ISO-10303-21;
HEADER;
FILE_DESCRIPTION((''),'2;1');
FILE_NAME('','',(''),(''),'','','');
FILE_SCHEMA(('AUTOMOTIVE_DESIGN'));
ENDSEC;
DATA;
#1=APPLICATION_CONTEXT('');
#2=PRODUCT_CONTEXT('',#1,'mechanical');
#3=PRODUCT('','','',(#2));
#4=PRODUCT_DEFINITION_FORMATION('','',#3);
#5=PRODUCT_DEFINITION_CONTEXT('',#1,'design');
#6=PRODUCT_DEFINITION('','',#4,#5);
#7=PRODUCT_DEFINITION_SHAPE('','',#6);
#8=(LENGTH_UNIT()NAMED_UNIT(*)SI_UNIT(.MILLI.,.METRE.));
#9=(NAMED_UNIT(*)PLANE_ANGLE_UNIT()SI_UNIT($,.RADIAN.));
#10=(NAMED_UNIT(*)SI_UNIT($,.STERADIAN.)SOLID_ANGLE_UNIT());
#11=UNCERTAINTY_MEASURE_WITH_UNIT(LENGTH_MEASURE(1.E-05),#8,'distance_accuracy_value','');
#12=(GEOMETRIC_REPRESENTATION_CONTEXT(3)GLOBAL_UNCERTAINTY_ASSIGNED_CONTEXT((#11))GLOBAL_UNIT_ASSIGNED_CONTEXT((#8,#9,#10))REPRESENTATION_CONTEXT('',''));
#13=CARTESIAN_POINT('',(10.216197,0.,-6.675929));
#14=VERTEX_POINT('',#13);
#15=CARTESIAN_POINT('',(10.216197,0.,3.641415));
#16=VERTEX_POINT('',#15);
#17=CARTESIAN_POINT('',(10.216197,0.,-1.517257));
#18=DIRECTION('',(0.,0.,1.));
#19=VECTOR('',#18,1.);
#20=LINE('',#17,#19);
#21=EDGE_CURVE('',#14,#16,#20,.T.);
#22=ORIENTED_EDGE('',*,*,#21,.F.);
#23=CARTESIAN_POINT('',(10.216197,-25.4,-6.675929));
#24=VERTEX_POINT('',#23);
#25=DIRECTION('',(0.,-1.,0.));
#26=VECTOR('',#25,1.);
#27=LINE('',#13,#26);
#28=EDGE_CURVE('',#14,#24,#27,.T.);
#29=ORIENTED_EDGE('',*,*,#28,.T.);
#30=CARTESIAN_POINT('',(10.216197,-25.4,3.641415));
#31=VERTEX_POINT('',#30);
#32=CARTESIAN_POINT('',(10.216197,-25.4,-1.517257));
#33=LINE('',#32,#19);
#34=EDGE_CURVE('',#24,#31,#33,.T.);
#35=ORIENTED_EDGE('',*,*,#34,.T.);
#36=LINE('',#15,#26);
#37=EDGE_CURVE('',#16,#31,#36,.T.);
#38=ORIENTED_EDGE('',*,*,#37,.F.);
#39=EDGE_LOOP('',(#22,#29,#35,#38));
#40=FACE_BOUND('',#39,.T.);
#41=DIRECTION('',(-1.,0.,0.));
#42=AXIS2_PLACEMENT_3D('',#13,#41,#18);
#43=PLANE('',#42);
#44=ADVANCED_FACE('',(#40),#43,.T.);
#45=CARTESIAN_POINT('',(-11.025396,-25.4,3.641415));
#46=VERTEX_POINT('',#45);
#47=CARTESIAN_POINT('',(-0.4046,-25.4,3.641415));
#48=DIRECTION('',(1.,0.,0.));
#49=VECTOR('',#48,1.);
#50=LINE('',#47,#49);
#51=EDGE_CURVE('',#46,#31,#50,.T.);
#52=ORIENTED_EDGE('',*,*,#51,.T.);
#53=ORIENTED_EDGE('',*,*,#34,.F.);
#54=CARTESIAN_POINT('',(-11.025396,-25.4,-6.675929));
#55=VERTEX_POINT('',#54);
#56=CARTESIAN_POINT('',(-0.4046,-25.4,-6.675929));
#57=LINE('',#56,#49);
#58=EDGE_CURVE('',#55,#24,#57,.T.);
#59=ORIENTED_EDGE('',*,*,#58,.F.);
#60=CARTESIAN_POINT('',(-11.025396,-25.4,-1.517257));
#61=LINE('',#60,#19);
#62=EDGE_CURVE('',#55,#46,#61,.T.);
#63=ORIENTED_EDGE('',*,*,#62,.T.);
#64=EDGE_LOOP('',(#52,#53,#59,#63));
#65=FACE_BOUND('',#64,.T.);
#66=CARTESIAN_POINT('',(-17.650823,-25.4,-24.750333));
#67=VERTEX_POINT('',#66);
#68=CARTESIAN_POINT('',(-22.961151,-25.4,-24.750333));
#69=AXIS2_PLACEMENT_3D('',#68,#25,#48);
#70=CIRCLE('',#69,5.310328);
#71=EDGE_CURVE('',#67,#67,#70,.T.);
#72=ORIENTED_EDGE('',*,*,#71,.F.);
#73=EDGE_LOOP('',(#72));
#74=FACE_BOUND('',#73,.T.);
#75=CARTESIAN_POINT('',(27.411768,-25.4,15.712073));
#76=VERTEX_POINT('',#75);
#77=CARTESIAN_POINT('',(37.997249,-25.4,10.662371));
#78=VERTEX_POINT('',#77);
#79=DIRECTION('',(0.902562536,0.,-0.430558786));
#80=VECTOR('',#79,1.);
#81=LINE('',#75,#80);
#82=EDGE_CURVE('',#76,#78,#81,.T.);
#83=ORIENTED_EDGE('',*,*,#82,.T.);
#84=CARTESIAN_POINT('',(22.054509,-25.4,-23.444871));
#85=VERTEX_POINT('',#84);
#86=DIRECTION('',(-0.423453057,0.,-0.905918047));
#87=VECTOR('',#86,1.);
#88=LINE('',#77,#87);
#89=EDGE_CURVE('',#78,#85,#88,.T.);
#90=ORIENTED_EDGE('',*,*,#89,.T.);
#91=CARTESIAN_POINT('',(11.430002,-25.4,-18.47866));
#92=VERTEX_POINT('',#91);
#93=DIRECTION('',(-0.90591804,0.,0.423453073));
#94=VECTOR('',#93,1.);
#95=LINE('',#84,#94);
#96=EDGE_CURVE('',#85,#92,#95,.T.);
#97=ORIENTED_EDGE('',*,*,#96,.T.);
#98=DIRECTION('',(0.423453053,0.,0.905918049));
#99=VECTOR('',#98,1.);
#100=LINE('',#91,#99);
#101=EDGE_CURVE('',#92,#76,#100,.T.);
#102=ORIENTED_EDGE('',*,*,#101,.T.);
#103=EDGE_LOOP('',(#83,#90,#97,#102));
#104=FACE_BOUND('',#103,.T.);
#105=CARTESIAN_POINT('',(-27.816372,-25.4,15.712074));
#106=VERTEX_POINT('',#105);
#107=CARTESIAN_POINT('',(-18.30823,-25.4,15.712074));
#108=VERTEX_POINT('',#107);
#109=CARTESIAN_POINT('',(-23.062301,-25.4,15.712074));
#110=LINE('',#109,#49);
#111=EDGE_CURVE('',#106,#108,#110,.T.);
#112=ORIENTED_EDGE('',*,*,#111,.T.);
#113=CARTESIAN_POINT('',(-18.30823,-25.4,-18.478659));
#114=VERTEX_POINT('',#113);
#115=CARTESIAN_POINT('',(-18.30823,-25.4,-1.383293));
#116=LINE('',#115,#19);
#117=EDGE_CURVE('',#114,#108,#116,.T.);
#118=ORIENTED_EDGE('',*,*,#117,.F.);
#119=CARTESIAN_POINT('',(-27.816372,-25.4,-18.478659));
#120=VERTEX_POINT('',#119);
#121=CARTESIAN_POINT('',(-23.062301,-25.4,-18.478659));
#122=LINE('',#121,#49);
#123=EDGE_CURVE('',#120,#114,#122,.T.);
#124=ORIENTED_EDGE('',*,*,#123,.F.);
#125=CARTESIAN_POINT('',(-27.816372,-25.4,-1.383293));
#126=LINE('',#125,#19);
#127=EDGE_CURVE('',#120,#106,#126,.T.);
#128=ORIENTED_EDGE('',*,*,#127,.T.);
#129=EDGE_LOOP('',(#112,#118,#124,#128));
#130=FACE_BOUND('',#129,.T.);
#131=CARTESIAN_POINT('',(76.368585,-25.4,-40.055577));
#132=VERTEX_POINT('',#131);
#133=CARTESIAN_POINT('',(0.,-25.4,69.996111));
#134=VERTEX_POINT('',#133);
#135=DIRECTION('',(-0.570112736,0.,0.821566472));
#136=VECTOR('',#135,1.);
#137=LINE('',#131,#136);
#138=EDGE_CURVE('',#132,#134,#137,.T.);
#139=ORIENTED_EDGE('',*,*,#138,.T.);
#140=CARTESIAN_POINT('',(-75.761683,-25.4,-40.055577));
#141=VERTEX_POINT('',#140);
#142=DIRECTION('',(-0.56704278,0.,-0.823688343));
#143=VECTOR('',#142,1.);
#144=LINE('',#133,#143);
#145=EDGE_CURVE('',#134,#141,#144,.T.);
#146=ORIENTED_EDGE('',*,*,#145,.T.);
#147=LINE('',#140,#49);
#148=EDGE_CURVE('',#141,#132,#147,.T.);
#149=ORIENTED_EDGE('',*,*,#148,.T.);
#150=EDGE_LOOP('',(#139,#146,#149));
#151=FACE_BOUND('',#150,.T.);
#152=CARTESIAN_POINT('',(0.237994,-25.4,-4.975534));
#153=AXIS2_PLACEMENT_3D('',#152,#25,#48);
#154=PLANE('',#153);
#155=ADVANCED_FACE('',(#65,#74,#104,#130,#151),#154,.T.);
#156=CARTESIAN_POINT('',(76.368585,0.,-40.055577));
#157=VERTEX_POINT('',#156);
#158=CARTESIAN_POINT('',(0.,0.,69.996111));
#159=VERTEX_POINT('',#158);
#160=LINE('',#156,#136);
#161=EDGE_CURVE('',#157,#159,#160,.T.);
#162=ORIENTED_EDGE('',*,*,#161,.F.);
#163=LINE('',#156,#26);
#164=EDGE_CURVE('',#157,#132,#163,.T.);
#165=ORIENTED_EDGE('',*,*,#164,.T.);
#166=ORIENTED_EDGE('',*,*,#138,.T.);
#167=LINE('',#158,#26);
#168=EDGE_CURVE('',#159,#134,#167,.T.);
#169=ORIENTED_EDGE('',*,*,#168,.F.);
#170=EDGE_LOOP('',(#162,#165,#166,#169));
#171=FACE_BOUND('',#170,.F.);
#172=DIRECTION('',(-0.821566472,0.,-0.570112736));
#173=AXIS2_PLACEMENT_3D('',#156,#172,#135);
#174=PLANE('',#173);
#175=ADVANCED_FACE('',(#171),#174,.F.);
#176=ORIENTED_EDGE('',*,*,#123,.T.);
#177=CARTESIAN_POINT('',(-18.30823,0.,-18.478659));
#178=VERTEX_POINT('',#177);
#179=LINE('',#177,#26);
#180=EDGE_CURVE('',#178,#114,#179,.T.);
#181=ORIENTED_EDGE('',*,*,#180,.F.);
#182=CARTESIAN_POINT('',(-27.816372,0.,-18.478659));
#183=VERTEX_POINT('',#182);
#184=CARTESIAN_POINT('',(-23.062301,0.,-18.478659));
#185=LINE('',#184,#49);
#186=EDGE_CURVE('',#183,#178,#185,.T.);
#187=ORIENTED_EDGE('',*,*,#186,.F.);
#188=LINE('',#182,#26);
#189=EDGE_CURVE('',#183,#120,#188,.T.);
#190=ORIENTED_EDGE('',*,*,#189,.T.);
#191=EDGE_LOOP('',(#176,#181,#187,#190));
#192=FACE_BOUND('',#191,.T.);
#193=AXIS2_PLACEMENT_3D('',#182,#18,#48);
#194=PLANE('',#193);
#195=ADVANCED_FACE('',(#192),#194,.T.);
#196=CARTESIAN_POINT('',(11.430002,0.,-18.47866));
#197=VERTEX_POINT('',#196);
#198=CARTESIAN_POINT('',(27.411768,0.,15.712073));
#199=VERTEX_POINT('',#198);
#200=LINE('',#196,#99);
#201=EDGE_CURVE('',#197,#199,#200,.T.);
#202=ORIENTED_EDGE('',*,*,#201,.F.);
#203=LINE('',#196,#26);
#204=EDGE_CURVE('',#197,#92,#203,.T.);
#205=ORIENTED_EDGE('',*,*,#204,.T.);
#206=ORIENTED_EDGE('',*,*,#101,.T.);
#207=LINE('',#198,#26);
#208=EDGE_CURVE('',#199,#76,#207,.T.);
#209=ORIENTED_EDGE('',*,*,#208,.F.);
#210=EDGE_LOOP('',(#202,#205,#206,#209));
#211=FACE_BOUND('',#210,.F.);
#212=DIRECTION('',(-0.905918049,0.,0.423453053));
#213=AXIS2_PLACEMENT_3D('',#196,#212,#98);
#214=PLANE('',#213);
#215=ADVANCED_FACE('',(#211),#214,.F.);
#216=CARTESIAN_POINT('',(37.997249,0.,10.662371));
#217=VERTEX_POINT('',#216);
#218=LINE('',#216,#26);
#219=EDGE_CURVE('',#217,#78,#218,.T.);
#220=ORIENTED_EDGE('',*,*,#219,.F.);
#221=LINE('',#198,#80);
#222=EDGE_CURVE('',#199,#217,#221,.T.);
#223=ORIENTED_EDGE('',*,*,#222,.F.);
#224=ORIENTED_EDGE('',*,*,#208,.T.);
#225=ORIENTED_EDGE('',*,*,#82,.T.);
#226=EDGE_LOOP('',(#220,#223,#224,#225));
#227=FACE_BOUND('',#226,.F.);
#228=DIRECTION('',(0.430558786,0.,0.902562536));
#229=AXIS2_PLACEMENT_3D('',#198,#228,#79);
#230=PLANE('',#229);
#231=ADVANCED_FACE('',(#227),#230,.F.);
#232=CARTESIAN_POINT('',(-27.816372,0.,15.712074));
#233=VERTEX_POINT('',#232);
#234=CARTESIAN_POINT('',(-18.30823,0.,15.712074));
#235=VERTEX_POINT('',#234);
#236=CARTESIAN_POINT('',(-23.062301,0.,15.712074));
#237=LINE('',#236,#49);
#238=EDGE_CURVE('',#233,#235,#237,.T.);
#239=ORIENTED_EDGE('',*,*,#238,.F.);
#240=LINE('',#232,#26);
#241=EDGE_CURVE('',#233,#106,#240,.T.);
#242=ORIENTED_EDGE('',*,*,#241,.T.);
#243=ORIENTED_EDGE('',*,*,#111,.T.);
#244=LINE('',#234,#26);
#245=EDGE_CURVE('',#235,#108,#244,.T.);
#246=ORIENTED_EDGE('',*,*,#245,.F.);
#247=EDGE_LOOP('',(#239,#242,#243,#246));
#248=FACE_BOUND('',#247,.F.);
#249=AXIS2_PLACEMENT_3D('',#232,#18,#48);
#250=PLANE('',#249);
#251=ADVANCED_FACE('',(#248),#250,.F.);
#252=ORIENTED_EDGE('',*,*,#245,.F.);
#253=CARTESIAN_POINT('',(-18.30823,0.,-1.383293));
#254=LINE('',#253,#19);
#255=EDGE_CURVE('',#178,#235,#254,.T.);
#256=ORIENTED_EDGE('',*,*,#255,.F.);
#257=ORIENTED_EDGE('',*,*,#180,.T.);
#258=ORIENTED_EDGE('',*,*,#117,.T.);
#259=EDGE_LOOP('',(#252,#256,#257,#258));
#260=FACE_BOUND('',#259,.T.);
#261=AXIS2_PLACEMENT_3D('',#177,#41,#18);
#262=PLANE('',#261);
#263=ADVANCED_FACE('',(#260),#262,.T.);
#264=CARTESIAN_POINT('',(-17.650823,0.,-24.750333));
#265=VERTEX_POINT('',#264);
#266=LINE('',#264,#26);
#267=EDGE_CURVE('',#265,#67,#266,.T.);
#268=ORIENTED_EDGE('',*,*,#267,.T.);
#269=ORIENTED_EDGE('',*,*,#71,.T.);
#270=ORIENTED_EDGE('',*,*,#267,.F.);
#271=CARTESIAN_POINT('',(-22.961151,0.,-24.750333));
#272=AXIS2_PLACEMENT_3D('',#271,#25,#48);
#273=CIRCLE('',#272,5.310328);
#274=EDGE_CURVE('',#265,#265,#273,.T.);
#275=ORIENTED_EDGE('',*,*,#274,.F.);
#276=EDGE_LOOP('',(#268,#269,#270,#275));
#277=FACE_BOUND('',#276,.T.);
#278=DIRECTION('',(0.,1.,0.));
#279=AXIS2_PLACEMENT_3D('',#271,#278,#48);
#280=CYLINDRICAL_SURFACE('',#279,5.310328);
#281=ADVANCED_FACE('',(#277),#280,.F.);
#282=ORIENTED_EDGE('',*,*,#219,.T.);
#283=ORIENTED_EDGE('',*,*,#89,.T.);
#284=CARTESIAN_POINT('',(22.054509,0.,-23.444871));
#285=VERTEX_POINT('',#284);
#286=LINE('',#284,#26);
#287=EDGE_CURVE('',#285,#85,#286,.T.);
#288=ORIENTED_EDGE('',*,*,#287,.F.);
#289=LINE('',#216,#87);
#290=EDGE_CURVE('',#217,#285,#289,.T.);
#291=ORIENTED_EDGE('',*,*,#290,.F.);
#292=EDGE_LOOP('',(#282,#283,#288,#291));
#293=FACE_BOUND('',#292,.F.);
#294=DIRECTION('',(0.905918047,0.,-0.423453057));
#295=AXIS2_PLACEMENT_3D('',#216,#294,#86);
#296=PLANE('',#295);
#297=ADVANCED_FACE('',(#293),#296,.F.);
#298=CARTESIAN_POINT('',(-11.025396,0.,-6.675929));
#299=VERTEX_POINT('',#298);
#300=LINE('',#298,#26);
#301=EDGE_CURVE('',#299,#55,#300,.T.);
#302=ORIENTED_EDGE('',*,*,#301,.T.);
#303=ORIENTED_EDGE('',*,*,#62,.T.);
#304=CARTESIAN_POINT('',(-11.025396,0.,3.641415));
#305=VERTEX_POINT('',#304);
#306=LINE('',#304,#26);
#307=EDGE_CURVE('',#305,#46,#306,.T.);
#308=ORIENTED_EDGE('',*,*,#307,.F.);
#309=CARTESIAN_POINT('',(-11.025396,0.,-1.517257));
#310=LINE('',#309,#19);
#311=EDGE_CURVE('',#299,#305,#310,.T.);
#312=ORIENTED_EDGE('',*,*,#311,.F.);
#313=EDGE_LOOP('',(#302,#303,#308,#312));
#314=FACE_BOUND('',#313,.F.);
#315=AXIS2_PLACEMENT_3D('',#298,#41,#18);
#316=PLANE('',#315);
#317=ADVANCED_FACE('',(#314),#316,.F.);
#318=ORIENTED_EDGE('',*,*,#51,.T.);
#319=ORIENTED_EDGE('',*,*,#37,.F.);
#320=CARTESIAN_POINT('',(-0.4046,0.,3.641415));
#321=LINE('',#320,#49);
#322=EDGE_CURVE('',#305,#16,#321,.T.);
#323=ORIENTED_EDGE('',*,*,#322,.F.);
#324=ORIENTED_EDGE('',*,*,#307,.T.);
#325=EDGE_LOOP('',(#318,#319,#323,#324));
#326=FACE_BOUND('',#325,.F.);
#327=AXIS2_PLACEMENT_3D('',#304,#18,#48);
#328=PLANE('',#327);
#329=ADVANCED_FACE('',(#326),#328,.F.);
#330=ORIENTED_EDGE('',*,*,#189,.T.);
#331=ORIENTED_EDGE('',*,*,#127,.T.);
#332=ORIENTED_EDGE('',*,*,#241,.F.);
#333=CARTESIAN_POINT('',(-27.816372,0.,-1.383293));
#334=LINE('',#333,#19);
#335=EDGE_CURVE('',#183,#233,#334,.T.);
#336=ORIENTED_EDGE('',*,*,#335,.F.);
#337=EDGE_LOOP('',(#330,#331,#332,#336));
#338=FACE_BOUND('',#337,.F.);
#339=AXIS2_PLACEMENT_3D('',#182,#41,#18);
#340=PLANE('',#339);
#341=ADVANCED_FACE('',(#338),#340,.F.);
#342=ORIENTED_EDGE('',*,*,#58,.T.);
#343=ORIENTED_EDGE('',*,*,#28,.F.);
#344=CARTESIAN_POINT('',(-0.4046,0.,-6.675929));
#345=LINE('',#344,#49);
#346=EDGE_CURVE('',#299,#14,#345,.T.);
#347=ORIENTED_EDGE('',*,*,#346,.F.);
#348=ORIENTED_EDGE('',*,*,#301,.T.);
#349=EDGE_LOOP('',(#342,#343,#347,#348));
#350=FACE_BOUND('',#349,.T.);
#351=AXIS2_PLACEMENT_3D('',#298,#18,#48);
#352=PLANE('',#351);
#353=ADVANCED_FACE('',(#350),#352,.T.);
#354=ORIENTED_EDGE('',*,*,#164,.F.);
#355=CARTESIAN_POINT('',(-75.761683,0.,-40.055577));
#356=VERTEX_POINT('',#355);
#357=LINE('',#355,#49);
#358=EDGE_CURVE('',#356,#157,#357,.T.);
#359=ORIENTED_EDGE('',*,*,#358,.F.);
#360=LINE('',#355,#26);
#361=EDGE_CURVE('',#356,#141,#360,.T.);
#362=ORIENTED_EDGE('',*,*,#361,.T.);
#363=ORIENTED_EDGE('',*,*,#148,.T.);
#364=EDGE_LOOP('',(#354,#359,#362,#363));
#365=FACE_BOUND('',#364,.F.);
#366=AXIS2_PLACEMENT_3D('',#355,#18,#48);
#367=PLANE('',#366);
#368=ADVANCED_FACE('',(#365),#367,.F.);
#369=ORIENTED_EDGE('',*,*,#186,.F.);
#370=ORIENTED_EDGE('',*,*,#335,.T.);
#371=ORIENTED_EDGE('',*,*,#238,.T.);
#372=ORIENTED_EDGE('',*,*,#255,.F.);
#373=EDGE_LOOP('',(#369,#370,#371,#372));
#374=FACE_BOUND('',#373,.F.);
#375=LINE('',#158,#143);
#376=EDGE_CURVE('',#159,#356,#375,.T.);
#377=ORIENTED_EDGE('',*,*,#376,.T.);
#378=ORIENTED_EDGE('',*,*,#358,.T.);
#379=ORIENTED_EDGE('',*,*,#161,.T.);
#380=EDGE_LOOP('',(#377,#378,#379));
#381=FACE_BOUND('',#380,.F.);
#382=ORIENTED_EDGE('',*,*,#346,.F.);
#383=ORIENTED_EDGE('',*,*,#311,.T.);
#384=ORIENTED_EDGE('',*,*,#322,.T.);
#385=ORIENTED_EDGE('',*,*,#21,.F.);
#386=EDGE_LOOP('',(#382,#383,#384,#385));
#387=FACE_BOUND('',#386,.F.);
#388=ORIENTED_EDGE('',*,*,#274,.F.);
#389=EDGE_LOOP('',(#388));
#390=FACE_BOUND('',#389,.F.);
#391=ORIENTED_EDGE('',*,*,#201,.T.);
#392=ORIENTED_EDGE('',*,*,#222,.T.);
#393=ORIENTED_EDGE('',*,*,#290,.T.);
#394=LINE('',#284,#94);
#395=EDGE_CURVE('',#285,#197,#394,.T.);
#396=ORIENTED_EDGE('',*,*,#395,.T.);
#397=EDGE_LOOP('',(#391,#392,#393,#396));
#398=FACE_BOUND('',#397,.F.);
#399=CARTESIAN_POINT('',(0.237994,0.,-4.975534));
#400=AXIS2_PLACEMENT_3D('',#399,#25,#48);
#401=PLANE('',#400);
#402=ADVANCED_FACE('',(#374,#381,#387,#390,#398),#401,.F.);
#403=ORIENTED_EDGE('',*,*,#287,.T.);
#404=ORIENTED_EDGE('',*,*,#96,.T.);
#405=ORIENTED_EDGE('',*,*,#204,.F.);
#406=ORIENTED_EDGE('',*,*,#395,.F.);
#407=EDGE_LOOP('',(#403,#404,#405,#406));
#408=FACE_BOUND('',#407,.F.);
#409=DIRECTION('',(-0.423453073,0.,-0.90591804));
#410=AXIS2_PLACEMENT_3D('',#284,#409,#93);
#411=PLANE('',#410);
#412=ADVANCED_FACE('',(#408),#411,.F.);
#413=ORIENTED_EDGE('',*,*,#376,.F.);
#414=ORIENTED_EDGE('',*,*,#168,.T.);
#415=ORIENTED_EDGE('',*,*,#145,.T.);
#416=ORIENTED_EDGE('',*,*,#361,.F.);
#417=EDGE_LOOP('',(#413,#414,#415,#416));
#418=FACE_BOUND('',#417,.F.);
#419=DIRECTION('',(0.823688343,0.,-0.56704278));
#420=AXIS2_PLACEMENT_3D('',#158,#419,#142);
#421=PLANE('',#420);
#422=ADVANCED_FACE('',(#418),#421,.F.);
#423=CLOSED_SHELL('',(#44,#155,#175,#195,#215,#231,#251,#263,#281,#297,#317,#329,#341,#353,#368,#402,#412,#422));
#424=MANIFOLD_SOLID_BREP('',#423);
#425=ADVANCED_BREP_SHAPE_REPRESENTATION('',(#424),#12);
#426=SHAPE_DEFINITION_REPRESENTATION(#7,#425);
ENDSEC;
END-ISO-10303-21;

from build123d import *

# Parameters (mm, degrees)
F0_R     = 5.310328
F0_W     = 9.508142
F0_H     = 34.190733
F0_W_2   = 21.241593
F0_H_2   = 10.317345
F1_DEPTH = 25.4


with BuildPart() as f1:
    # F0 (on Front) → F1 (new body)
    with BuildSketch(Plane.XZ):
        Polygon((76.368585, -40.055577), (0, 69.996111), (-75.761683, -40.055577), align=None)
        with Locations((-22.961151, -24.750333)):
            Circle(F0_R, mode=Mode.SUBTRACT)
        with Locations((-23.062301, -1.383293)):
            Rectangle(F0_W, F0_H, mode=Mode.SUBTRACT)
        with Locations((-0.4046, -1.517257)):
            Rectangle(F0_W_2, F0_H_2, mode=Mode.SUBTRACT)
        Polygon((11.430002, -18.47866), (27.411768, 15.712073), (37.997249, 10.662371), (22.054509, -23.444871), align=None, mode=Mode.SUBTRACT)
    extrude(amount=F1_DEPTH)


solid = f1.part
